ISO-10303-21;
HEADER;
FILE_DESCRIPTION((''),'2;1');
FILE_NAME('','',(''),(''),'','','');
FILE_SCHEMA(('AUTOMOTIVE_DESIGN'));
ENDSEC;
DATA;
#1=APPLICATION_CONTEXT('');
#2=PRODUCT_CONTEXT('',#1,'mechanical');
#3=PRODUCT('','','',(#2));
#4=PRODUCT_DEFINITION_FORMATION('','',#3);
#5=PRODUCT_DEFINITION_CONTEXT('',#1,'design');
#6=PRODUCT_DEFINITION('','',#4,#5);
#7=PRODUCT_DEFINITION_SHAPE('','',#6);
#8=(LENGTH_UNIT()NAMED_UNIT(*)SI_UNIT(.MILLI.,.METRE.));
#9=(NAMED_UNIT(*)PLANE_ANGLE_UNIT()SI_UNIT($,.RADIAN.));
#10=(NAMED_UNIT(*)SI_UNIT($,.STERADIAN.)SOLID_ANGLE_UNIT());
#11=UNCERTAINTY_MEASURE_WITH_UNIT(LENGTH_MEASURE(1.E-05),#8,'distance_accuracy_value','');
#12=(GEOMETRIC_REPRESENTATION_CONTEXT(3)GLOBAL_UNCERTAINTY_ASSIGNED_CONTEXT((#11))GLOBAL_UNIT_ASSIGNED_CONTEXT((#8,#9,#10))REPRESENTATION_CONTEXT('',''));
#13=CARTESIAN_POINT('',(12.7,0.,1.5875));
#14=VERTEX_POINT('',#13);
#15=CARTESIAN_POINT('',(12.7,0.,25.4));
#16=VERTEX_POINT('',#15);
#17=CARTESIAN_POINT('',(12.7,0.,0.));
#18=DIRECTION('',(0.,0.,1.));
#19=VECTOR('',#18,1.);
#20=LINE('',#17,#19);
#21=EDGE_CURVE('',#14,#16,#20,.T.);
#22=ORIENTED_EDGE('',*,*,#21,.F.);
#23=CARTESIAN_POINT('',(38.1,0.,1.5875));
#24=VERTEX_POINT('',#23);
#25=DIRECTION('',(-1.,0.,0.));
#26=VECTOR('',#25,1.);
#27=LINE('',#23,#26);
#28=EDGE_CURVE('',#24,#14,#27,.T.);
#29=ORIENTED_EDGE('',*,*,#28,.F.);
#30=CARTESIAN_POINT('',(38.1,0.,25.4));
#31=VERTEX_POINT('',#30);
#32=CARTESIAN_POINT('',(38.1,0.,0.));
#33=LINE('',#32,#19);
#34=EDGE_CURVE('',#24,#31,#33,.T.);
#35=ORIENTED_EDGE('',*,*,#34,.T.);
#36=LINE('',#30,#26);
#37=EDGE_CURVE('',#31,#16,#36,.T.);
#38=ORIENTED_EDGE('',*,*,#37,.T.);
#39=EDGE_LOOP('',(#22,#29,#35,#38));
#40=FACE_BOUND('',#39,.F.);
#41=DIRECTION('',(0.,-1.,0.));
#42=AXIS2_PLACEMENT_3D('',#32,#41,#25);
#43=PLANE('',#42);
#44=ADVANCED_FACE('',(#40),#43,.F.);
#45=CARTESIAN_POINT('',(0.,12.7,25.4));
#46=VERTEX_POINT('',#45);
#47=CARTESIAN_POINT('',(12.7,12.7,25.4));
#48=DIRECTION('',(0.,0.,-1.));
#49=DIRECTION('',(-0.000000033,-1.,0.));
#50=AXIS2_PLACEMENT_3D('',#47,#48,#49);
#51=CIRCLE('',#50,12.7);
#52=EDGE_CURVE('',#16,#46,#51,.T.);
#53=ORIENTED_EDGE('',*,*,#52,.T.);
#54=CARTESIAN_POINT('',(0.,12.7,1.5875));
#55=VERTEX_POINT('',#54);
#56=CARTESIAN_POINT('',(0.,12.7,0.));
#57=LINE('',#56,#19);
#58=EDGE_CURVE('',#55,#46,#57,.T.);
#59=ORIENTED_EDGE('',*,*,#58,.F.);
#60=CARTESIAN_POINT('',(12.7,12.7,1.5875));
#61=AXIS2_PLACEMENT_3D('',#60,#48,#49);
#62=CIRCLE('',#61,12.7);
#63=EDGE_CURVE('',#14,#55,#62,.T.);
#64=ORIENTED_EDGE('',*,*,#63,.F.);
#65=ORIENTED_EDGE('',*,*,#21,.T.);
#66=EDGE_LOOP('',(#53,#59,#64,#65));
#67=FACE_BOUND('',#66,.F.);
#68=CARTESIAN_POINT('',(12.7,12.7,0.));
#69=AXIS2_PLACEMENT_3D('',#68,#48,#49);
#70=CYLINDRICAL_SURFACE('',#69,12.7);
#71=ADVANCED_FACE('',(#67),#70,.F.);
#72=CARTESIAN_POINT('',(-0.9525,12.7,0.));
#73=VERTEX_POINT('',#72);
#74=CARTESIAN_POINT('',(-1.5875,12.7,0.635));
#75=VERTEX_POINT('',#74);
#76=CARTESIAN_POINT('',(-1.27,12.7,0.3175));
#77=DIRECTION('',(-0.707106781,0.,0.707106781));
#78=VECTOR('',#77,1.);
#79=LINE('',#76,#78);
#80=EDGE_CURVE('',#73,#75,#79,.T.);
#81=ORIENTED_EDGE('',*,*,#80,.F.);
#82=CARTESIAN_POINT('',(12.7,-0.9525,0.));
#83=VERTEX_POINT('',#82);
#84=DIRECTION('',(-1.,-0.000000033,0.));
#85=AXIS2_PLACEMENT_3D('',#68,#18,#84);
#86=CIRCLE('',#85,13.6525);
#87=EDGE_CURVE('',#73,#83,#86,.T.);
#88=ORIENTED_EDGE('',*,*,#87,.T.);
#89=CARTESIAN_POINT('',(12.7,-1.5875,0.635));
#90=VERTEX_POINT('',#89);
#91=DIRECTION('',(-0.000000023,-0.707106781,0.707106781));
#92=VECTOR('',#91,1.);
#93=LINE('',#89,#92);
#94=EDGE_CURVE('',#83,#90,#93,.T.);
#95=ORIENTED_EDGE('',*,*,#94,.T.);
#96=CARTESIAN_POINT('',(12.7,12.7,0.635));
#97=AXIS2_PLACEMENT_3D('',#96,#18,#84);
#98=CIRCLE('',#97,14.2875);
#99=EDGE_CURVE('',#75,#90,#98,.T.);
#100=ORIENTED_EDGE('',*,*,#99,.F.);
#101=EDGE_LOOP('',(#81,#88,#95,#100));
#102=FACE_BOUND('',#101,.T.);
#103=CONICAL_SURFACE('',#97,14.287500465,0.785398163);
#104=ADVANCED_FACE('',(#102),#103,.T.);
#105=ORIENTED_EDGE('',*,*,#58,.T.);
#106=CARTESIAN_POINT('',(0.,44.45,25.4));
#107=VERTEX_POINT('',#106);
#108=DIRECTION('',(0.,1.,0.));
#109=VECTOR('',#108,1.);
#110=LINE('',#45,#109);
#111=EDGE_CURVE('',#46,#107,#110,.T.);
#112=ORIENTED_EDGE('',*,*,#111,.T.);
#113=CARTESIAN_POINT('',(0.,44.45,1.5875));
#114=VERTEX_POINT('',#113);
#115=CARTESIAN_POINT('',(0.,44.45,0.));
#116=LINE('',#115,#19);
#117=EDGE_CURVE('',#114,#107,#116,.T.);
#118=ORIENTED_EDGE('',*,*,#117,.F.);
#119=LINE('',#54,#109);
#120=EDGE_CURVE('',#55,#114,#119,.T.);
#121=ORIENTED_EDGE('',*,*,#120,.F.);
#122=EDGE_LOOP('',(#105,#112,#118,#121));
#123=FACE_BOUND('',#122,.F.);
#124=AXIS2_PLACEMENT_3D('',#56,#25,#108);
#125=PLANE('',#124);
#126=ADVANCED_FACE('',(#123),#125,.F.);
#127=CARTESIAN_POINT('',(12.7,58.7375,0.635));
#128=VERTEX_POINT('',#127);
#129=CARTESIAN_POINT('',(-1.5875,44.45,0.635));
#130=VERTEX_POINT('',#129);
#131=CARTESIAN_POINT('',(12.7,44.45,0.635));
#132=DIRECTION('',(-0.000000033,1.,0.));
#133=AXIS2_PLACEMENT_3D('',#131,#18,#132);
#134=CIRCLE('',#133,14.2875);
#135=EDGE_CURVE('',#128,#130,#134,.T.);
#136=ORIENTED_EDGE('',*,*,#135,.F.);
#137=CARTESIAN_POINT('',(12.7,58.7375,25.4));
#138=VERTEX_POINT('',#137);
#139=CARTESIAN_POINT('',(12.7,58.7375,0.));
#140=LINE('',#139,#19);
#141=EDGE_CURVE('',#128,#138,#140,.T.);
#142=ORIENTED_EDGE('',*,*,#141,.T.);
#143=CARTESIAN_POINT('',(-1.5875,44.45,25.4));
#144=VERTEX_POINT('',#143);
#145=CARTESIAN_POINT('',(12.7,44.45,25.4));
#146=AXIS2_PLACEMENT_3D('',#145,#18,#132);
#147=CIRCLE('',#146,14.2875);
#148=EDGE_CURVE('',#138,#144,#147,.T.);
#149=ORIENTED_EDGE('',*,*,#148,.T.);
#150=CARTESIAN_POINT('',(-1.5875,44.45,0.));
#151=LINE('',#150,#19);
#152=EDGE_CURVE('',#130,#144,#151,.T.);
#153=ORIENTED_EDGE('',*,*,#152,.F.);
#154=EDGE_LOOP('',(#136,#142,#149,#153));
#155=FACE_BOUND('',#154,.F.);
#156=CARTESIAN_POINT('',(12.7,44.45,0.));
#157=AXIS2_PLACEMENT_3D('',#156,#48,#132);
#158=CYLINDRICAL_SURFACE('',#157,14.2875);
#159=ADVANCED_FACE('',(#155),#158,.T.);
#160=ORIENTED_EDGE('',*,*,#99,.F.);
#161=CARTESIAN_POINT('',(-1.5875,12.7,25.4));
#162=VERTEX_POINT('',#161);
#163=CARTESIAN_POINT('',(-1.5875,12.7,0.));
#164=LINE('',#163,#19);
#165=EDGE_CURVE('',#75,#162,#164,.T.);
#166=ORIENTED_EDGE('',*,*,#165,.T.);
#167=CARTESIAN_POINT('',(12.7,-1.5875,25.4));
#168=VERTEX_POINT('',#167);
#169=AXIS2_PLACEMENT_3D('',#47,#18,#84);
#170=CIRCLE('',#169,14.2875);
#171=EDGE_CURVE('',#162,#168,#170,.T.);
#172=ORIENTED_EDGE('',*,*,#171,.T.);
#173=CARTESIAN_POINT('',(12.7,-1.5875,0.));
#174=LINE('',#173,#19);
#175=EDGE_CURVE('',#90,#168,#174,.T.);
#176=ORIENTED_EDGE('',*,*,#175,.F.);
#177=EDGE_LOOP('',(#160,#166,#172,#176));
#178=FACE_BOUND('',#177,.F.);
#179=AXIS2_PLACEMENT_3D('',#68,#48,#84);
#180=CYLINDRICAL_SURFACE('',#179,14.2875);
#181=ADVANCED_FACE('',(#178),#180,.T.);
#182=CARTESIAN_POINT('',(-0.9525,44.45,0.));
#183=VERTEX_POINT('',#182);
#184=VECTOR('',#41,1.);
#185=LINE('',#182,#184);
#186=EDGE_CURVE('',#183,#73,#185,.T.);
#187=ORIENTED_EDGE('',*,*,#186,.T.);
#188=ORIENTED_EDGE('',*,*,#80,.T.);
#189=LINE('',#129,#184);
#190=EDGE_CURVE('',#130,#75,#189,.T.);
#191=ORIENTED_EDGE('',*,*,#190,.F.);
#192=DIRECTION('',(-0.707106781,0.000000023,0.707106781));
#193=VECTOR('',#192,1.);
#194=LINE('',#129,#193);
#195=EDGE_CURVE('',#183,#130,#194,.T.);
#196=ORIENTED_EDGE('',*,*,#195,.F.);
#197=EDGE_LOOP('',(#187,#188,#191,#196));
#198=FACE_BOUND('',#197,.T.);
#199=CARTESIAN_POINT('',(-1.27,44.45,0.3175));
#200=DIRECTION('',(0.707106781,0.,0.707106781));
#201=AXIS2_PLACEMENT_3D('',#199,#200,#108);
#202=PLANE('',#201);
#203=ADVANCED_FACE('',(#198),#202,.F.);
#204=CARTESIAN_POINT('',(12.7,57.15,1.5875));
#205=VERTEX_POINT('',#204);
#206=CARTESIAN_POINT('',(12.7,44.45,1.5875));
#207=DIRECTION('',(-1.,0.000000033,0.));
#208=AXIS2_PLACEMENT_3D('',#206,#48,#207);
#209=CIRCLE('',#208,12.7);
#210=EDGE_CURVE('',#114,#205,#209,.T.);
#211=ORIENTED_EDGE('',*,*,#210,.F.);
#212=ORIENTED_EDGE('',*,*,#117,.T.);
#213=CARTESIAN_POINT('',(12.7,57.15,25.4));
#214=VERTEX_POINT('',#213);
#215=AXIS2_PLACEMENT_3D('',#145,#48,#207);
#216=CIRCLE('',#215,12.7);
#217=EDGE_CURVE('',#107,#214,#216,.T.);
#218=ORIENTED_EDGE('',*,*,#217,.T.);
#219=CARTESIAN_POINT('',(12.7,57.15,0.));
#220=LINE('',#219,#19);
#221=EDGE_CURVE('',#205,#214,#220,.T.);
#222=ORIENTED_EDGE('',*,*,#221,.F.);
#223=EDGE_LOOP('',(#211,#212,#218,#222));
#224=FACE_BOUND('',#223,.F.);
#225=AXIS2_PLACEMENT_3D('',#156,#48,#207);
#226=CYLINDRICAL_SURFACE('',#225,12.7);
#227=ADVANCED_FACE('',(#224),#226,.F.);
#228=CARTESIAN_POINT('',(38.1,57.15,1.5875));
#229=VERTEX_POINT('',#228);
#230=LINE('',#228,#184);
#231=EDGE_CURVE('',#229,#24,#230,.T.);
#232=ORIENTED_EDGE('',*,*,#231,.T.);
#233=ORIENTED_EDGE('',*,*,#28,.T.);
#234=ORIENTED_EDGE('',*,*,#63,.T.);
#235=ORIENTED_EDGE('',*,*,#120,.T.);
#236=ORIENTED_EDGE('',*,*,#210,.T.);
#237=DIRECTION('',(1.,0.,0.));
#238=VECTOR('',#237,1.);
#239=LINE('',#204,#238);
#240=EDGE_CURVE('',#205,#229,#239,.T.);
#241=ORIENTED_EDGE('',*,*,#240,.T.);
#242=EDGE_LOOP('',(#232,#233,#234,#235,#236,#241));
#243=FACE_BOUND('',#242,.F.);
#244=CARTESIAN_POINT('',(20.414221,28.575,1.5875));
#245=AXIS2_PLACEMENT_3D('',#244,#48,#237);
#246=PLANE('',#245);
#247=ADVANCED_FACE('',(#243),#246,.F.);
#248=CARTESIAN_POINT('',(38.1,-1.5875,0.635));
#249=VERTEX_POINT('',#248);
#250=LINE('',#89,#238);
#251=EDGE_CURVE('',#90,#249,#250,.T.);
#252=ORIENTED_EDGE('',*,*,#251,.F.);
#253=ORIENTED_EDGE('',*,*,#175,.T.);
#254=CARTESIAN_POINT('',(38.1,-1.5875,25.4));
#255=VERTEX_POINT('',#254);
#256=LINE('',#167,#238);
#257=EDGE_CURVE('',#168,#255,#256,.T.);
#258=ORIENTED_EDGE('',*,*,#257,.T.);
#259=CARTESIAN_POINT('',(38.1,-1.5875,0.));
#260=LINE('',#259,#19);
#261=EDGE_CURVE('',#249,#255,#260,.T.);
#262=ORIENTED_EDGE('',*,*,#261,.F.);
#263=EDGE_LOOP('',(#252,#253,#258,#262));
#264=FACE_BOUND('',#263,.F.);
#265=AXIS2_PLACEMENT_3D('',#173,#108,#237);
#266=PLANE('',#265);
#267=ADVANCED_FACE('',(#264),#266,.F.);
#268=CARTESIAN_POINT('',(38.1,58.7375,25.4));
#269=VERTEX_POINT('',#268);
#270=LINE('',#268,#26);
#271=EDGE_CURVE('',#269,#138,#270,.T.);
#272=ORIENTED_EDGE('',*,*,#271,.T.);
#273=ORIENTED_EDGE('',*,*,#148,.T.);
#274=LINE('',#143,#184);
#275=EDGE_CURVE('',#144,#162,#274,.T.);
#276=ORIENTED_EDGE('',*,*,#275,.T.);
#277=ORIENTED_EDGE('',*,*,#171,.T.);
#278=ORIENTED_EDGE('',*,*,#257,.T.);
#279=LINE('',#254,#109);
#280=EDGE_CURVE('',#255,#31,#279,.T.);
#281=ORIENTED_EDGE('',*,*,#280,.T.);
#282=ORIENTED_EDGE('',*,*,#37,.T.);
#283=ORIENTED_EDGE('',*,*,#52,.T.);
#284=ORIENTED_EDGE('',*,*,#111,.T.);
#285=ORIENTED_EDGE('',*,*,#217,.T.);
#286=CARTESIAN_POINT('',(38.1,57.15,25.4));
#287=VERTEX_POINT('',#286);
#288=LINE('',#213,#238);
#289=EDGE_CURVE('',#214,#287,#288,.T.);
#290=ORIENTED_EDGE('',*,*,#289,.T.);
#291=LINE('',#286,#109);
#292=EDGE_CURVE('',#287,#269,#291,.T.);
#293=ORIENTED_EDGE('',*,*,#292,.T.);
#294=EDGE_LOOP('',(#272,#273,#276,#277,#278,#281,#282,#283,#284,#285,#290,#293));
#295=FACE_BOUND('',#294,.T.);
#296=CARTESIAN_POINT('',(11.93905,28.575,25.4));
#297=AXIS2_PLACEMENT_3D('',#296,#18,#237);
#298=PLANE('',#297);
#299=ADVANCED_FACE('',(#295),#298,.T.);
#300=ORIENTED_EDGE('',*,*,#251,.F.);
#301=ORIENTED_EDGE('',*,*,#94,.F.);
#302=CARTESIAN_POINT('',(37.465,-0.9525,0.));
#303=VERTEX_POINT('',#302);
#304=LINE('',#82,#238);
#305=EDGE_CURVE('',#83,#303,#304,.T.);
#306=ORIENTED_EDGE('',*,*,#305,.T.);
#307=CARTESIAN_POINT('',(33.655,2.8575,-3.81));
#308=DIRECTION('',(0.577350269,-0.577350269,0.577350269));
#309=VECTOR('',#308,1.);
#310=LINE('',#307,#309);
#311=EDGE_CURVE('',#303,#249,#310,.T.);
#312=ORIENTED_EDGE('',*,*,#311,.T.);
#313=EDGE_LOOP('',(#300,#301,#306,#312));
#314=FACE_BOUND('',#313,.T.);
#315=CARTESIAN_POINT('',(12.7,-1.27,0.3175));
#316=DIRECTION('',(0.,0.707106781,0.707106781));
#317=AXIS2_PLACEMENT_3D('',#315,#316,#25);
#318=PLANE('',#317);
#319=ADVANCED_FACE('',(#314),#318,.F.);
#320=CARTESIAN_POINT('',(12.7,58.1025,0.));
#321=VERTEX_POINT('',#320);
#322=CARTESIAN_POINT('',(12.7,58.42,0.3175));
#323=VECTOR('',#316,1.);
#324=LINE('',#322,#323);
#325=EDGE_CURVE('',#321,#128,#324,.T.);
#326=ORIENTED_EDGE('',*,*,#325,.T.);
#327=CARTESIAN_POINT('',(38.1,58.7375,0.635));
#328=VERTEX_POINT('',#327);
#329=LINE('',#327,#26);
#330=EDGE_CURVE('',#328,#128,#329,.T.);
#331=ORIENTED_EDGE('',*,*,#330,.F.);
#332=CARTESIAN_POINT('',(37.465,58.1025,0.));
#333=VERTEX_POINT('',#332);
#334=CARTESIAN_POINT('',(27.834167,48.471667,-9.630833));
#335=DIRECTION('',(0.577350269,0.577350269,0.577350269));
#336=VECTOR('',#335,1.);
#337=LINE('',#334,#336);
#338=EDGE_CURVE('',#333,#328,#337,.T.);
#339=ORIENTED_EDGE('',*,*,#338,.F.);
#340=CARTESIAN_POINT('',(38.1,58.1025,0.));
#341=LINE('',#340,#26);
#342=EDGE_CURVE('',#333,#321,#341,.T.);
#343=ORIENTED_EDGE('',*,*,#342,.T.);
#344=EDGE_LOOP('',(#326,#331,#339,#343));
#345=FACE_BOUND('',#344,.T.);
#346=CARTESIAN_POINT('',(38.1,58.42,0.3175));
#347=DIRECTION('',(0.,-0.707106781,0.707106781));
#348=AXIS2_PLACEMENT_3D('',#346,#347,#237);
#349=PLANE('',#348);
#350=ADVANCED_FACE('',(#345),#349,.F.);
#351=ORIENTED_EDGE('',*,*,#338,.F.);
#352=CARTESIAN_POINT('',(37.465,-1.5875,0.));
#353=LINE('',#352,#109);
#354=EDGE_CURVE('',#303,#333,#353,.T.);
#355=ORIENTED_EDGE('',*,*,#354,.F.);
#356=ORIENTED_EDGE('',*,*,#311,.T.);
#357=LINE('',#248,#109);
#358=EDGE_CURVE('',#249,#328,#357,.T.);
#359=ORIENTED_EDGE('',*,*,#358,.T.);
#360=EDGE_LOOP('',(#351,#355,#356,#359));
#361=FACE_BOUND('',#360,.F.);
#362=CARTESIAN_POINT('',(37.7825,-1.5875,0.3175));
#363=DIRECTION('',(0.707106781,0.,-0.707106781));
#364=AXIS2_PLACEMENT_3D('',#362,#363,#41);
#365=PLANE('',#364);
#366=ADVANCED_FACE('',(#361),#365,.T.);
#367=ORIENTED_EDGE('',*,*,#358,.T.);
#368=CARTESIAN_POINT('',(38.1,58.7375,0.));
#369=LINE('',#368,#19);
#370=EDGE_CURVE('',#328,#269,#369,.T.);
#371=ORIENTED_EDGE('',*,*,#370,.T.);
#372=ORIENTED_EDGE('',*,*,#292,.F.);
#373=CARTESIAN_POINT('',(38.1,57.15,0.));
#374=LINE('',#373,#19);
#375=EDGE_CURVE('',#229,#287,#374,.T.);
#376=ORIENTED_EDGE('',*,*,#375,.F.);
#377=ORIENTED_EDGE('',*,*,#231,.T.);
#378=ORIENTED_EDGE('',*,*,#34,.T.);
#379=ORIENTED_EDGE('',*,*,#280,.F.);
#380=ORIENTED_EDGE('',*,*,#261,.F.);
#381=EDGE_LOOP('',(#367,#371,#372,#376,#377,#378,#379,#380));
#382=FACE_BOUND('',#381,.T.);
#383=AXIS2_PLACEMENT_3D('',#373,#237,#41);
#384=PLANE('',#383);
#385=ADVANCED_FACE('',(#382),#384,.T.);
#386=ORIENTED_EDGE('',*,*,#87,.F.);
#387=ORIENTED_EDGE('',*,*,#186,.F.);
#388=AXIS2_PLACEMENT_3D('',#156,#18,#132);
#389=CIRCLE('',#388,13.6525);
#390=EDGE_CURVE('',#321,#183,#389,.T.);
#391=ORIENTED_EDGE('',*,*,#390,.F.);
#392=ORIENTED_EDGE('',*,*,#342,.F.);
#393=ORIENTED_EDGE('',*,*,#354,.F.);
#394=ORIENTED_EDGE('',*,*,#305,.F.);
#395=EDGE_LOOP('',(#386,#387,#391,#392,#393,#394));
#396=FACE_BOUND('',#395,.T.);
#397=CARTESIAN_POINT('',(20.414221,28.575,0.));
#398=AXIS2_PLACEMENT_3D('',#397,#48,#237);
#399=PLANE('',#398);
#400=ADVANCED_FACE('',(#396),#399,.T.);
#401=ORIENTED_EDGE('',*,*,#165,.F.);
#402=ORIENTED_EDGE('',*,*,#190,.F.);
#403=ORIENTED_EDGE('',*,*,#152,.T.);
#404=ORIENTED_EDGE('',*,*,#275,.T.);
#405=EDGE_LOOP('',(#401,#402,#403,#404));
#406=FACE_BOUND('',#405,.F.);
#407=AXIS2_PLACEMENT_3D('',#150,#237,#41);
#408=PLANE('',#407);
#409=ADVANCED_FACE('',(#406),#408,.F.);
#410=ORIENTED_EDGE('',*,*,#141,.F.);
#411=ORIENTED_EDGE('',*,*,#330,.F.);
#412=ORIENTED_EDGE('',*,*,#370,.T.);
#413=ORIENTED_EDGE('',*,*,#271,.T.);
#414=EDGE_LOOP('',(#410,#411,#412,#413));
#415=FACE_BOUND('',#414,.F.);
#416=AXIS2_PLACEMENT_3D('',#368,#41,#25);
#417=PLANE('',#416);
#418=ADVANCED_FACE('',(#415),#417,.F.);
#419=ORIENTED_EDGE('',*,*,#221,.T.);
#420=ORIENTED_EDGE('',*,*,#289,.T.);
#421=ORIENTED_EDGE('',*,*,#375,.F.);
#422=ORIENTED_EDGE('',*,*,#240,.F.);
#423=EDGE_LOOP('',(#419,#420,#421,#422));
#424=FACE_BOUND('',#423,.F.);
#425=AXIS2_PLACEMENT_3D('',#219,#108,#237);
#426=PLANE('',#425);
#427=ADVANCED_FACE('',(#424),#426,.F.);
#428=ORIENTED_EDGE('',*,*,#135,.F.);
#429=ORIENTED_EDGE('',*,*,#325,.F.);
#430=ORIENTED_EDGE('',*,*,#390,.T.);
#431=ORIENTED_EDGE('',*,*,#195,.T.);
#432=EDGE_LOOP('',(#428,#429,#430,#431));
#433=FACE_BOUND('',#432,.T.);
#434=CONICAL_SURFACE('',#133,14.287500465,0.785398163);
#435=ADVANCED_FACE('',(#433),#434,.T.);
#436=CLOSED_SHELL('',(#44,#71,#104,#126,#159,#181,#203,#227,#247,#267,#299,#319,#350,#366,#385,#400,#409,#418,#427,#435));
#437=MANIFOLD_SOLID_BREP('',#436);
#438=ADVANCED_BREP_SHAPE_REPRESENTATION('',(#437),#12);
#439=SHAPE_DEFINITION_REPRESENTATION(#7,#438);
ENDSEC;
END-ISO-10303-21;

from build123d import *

# Parameters (mm, degrees)
F1_DEPTH = 25.4
F3_DEPTH = 1.5875
F4_SIZE  = 0.635


with BuildPart() as f1:
    # F0 (on Top) → F1 (new body)
    with BuildSketch(Plane.XY):
        with BuildLine():
            Line((38.1, 0), (12.7, 0))
            ThreePointArc((12.7, 0), (3.719744, 3.719744), (0, 12.7))
            Line((0, 12.7), (0, 44.45))
            ThreePointArc((0, 44.45), (3.719744, 53.430256), (12.7, 57.15))
            Line((12.7, 57.15), (38.1, 57.15))
            Line((38.1, 57.15), (38.1, 58.7375))
            Line((38.1, 58.7375), (12.7, 58.7375))
            ThreePointArc((12.7, 58.7375), (2.597212, 54.552788), (-1.5875, 44.45))
            Line((-1.5875, 44.45), (-1.5875, 12.7))
            ThreePointArc((-1.5875, 12.7), (2.597212, 2.597212), (12.7, -1.5875))
            Line((12.7, -1.5875), (38.1, -1.5875))
            Line((38.1, -1.5875), (38.1, 0))
        make_face()
    extrude(amount=F1_DEPTH)

    # F2 (on face) → F3 (join)
    with BuildSketch(Plane(origin=(0, 0, 0), x_dir=(1, 0, 0), z_dir=(0, 0, -1))):
        with BuildLine():
            Line((38.1, 0), (12.7, 0))
            ThreePointArc((12.7, 0), (3.719744, -3.719744), (0, -12.7))
            Line((0, -12.7), (0, -44.45))
            ThreePointArc((0, -44.45), (3.719744, -53.430256), (12.7, -57.15))
            Line((12.7, -57.15), (38.1, -57.15))
            Line((38.1, -57.15), (38.1, 0))
        make_face()
    extrude(amount=-F3_DEPTH)

    # F4
    f4_edges = [f1.edges().sort_by_distance(p)[0] for p in [
        (25.4, -1.5875, 0),
        (38.1, 28.575, 0),
        (25.4, 58.7375, 0),
        (2.597212, 54.552788, 0),
        (-1.5875, 28.575, 0),
        (2.597212, 2.597212, 0),
    ]]
    chamfer(f4_edges, length=F4_SIZE)


solid = f1.part
